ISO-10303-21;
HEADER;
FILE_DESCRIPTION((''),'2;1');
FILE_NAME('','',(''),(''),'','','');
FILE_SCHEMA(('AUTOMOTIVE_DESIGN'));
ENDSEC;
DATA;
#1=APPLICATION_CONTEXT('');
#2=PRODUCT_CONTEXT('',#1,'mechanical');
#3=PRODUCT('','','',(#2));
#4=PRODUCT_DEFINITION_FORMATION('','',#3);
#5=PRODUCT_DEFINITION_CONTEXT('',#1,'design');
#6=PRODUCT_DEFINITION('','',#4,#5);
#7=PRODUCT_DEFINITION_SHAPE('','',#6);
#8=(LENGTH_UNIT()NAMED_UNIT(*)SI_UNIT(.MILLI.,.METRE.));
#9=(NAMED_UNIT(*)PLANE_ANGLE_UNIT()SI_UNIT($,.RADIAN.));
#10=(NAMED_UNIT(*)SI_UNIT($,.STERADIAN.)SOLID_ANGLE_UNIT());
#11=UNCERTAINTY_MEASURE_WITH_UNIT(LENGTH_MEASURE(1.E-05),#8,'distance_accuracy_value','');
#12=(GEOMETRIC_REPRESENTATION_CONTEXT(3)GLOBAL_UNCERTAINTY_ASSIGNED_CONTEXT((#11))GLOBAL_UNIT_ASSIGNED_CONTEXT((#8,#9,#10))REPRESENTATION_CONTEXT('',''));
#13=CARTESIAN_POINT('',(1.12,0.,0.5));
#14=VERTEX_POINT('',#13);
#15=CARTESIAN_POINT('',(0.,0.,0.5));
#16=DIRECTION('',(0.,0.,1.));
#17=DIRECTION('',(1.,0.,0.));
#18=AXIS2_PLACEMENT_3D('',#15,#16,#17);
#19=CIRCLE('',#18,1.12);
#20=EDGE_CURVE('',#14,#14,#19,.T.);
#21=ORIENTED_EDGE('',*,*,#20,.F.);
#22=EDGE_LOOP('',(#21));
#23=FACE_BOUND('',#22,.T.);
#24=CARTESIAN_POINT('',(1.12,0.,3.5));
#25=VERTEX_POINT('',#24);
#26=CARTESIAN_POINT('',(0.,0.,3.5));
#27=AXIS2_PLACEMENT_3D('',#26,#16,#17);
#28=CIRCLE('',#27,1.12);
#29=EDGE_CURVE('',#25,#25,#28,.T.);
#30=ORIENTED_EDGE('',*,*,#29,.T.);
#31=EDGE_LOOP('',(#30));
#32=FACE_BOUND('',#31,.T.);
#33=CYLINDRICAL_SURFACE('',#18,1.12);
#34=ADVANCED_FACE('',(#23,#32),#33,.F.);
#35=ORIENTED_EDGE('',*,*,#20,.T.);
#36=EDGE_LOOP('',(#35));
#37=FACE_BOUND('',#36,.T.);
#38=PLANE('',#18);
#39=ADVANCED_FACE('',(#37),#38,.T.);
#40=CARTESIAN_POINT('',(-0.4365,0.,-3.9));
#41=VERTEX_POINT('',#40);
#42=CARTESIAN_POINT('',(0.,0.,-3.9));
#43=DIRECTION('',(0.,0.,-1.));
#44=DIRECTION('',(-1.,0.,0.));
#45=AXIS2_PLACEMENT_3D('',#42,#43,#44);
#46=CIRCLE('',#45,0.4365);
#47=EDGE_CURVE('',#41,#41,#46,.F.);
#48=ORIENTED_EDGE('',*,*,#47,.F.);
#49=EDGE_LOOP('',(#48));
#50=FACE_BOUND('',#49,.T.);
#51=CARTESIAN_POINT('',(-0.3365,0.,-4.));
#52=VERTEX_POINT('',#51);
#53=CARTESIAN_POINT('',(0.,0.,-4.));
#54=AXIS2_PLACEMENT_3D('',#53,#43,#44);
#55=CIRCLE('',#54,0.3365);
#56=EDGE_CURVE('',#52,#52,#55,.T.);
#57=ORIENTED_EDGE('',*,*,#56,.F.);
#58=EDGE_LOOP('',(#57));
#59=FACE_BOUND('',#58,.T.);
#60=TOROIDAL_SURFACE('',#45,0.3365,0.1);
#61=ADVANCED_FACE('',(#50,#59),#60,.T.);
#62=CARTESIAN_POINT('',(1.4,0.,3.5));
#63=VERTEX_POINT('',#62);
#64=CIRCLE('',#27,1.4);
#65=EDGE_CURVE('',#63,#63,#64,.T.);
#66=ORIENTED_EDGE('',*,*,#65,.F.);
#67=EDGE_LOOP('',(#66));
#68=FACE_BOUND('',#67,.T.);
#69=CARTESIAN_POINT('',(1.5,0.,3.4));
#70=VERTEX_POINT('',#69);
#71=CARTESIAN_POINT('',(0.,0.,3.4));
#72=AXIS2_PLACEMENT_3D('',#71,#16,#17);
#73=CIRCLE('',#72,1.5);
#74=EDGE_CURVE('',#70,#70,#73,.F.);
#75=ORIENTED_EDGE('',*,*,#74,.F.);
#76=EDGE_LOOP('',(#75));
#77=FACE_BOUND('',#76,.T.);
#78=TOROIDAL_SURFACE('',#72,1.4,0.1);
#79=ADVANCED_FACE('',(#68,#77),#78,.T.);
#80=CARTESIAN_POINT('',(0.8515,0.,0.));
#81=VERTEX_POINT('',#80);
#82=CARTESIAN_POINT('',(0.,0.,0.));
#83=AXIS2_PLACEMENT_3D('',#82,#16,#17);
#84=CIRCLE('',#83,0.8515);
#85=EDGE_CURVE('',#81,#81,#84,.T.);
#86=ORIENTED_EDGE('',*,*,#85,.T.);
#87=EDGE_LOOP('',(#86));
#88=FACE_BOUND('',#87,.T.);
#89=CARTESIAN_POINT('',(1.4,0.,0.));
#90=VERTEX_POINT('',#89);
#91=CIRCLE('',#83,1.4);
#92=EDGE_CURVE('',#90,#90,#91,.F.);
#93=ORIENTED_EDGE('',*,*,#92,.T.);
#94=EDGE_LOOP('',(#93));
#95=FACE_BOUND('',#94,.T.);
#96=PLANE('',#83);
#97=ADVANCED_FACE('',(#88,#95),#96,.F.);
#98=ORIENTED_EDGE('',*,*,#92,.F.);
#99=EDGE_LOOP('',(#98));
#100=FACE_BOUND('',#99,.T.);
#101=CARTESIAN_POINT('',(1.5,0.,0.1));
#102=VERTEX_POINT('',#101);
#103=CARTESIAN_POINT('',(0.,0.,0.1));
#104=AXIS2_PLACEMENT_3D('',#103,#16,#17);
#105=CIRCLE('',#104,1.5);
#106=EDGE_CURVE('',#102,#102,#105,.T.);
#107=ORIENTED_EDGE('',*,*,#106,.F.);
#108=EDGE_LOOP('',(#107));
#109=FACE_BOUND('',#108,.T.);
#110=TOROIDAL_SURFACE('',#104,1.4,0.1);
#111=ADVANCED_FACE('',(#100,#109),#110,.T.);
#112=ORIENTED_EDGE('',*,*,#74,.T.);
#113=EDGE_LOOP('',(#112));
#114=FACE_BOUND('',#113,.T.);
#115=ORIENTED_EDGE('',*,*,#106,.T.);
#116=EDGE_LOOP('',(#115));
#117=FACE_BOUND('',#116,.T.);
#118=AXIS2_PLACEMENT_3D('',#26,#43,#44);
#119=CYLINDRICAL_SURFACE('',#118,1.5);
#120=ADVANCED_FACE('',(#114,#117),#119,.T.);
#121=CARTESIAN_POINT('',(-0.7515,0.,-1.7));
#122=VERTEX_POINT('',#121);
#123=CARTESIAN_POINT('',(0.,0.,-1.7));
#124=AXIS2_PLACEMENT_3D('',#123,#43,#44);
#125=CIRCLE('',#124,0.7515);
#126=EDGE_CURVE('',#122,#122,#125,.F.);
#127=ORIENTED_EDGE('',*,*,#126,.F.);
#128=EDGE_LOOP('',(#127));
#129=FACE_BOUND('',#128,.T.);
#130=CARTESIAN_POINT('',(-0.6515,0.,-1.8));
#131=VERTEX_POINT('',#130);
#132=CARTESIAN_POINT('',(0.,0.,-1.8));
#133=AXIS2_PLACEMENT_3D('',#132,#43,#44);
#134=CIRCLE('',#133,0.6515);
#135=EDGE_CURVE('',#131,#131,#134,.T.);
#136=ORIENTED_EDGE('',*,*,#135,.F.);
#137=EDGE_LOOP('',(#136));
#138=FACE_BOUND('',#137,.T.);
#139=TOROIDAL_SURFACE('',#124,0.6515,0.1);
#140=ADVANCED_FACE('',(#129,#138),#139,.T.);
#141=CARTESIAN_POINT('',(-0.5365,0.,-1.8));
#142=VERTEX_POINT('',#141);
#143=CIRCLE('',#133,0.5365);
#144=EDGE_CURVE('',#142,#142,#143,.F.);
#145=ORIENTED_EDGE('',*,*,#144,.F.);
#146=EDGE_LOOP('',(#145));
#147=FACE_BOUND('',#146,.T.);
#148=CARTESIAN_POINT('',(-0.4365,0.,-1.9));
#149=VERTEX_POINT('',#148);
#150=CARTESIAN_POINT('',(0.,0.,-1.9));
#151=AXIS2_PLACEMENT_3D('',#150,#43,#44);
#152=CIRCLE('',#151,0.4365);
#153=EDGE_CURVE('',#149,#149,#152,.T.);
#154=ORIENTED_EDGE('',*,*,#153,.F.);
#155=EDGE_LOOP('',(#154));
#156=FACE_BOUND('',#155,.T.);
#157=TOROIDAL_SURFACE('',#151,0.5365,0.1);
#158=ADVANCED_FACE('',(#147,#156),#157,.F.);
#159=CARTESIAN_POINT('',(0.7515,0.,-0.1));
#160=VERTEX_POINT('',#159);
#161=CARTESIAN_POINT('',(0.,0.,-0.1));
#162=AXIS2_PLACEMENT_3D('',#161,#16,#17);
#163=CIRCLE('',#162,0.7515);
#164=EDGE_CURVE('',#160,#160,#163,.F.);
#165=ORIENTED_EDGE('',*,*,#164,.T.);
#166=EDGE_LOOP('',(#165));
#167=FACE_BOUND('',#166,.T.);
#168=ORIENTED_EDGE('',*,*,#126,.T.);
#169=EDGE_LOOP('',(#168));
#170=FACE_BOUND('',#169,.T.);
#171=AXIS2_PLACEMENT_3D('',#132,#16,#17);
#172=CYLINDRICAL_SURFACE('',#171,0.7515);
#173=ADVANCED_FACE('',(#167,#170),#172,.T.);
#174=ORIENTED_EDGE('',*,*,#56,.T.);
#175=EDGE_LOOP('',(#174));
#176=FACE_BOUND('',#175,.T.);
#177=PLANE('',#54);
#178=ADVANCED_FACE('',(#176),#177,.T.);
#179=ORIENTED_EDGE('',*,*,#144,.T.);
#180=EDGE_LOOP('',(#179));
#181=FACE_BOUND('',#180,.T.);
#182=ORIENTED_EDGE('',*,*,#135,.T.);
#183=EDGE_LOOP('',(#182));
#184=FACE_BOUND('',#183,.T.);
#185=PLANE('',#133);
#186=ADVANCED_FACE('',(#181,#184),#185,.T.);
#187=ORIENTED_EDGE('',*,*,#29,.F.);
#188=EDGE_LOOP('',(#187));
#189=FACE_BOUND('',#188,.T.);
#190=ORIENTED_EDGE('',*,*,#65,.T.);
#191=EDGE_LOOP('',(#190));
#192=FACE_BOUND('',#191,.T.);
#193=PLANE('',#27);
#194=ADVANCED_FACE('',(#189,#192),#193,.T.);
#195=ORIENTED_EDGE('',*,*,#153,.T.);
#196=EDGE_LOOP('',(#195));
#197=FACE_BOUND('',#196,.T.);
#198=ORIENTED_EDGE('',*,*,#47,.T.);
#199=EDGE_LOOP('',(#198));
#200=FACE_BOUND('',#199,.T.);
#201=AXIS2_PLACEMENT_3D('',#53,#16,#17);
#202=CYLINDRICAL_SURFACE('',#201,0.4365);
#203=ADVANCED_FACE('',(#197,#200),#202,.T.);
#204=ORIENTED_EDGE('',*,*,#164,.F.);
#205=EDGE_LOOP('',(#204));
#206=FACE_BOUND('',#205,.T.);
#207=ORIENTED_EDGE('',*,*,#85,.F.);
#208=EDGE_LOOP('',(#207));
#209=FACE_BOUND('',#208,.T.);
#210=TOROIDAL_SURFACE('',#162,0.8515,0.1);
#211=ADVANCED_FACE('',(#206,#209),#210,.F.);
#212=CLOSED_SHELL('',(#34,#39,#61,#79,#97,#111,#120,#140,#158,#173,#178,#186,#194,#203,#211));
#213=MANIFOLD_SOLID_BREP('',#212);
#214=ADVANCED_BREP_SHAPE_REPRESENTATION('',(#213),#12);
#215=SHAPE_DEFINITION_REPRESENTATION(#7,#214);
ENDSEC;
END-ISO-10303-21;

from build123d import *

# Parameters (mm, degrees)
SKETCH1_R           = 1.5
BOSS_EXTRUDE1_DEPTH = 3.5
SKETCH2_R           = 1.12
CUT_EXTRUDE1_DEPTH  = 3
SKETCH3_R           = 0.7515
BOSS_EXTRUDE2_DEPTH = 1.8
SKETCH4_R           = 0.4365
BOSS_EXTRUDE3_DEPTH = 2.2
FILLET1_R           = 0.1


with BuildPart() as part:
    # Sketch1 → Boss-Extrude1 (new body)
    with BuildSketch(Plane.XY):
        Circle(SKETCH1_R)
    extrude(amount=BOSS_EXTRUDE1_DEPTH)

    # Sketch2 → Cut-Extrude1 (cut)
    with BuildSketch(Plane.XY.offset(3.5)):
        Circle(SKETCH2_R)
    extrude(amount=-CUT_EXTRUDE1_DEPTH, mode=Mode.SUBTRACT)

    # Sketch3 → Boss-Extrude2 (add)
    with BuildSketch(Plane(origin=(0, 0, 0), x_dir=(-1, 0, 0), z_dir=(0, 0, -1))):
        Circle(SKETCH3_R)
    extrude(amount=BOSS_EXTRUDE2_DEPTH)

    # Sketch4 → Boss-Extrude3 (add)
    with BuildSketch(Plane(origin=(0, 0, -1.8), x_dir=(-1, 0, 0), z_dir=(0, 0, -1))):
        Circle(SKETCH4_R)
    extrude(amount=BOSS_EXTRUDE3_DEPTH)

    # Fillet1
    fillet1_edges = [part.edges().sort_by_distance(p)[0] for p in [
        (0.7515, 0, -1.8),
        (0.4365, 0, -1.8),
        (0.4365, 0, -4),
        (-1.5, 0, 0),
        (-1.5, 0, 3.5),
        (0.7515, 0, 0),
    ]]
    fillet(fillet1_edges, radius=FILLET1_R)


solid = part.part
